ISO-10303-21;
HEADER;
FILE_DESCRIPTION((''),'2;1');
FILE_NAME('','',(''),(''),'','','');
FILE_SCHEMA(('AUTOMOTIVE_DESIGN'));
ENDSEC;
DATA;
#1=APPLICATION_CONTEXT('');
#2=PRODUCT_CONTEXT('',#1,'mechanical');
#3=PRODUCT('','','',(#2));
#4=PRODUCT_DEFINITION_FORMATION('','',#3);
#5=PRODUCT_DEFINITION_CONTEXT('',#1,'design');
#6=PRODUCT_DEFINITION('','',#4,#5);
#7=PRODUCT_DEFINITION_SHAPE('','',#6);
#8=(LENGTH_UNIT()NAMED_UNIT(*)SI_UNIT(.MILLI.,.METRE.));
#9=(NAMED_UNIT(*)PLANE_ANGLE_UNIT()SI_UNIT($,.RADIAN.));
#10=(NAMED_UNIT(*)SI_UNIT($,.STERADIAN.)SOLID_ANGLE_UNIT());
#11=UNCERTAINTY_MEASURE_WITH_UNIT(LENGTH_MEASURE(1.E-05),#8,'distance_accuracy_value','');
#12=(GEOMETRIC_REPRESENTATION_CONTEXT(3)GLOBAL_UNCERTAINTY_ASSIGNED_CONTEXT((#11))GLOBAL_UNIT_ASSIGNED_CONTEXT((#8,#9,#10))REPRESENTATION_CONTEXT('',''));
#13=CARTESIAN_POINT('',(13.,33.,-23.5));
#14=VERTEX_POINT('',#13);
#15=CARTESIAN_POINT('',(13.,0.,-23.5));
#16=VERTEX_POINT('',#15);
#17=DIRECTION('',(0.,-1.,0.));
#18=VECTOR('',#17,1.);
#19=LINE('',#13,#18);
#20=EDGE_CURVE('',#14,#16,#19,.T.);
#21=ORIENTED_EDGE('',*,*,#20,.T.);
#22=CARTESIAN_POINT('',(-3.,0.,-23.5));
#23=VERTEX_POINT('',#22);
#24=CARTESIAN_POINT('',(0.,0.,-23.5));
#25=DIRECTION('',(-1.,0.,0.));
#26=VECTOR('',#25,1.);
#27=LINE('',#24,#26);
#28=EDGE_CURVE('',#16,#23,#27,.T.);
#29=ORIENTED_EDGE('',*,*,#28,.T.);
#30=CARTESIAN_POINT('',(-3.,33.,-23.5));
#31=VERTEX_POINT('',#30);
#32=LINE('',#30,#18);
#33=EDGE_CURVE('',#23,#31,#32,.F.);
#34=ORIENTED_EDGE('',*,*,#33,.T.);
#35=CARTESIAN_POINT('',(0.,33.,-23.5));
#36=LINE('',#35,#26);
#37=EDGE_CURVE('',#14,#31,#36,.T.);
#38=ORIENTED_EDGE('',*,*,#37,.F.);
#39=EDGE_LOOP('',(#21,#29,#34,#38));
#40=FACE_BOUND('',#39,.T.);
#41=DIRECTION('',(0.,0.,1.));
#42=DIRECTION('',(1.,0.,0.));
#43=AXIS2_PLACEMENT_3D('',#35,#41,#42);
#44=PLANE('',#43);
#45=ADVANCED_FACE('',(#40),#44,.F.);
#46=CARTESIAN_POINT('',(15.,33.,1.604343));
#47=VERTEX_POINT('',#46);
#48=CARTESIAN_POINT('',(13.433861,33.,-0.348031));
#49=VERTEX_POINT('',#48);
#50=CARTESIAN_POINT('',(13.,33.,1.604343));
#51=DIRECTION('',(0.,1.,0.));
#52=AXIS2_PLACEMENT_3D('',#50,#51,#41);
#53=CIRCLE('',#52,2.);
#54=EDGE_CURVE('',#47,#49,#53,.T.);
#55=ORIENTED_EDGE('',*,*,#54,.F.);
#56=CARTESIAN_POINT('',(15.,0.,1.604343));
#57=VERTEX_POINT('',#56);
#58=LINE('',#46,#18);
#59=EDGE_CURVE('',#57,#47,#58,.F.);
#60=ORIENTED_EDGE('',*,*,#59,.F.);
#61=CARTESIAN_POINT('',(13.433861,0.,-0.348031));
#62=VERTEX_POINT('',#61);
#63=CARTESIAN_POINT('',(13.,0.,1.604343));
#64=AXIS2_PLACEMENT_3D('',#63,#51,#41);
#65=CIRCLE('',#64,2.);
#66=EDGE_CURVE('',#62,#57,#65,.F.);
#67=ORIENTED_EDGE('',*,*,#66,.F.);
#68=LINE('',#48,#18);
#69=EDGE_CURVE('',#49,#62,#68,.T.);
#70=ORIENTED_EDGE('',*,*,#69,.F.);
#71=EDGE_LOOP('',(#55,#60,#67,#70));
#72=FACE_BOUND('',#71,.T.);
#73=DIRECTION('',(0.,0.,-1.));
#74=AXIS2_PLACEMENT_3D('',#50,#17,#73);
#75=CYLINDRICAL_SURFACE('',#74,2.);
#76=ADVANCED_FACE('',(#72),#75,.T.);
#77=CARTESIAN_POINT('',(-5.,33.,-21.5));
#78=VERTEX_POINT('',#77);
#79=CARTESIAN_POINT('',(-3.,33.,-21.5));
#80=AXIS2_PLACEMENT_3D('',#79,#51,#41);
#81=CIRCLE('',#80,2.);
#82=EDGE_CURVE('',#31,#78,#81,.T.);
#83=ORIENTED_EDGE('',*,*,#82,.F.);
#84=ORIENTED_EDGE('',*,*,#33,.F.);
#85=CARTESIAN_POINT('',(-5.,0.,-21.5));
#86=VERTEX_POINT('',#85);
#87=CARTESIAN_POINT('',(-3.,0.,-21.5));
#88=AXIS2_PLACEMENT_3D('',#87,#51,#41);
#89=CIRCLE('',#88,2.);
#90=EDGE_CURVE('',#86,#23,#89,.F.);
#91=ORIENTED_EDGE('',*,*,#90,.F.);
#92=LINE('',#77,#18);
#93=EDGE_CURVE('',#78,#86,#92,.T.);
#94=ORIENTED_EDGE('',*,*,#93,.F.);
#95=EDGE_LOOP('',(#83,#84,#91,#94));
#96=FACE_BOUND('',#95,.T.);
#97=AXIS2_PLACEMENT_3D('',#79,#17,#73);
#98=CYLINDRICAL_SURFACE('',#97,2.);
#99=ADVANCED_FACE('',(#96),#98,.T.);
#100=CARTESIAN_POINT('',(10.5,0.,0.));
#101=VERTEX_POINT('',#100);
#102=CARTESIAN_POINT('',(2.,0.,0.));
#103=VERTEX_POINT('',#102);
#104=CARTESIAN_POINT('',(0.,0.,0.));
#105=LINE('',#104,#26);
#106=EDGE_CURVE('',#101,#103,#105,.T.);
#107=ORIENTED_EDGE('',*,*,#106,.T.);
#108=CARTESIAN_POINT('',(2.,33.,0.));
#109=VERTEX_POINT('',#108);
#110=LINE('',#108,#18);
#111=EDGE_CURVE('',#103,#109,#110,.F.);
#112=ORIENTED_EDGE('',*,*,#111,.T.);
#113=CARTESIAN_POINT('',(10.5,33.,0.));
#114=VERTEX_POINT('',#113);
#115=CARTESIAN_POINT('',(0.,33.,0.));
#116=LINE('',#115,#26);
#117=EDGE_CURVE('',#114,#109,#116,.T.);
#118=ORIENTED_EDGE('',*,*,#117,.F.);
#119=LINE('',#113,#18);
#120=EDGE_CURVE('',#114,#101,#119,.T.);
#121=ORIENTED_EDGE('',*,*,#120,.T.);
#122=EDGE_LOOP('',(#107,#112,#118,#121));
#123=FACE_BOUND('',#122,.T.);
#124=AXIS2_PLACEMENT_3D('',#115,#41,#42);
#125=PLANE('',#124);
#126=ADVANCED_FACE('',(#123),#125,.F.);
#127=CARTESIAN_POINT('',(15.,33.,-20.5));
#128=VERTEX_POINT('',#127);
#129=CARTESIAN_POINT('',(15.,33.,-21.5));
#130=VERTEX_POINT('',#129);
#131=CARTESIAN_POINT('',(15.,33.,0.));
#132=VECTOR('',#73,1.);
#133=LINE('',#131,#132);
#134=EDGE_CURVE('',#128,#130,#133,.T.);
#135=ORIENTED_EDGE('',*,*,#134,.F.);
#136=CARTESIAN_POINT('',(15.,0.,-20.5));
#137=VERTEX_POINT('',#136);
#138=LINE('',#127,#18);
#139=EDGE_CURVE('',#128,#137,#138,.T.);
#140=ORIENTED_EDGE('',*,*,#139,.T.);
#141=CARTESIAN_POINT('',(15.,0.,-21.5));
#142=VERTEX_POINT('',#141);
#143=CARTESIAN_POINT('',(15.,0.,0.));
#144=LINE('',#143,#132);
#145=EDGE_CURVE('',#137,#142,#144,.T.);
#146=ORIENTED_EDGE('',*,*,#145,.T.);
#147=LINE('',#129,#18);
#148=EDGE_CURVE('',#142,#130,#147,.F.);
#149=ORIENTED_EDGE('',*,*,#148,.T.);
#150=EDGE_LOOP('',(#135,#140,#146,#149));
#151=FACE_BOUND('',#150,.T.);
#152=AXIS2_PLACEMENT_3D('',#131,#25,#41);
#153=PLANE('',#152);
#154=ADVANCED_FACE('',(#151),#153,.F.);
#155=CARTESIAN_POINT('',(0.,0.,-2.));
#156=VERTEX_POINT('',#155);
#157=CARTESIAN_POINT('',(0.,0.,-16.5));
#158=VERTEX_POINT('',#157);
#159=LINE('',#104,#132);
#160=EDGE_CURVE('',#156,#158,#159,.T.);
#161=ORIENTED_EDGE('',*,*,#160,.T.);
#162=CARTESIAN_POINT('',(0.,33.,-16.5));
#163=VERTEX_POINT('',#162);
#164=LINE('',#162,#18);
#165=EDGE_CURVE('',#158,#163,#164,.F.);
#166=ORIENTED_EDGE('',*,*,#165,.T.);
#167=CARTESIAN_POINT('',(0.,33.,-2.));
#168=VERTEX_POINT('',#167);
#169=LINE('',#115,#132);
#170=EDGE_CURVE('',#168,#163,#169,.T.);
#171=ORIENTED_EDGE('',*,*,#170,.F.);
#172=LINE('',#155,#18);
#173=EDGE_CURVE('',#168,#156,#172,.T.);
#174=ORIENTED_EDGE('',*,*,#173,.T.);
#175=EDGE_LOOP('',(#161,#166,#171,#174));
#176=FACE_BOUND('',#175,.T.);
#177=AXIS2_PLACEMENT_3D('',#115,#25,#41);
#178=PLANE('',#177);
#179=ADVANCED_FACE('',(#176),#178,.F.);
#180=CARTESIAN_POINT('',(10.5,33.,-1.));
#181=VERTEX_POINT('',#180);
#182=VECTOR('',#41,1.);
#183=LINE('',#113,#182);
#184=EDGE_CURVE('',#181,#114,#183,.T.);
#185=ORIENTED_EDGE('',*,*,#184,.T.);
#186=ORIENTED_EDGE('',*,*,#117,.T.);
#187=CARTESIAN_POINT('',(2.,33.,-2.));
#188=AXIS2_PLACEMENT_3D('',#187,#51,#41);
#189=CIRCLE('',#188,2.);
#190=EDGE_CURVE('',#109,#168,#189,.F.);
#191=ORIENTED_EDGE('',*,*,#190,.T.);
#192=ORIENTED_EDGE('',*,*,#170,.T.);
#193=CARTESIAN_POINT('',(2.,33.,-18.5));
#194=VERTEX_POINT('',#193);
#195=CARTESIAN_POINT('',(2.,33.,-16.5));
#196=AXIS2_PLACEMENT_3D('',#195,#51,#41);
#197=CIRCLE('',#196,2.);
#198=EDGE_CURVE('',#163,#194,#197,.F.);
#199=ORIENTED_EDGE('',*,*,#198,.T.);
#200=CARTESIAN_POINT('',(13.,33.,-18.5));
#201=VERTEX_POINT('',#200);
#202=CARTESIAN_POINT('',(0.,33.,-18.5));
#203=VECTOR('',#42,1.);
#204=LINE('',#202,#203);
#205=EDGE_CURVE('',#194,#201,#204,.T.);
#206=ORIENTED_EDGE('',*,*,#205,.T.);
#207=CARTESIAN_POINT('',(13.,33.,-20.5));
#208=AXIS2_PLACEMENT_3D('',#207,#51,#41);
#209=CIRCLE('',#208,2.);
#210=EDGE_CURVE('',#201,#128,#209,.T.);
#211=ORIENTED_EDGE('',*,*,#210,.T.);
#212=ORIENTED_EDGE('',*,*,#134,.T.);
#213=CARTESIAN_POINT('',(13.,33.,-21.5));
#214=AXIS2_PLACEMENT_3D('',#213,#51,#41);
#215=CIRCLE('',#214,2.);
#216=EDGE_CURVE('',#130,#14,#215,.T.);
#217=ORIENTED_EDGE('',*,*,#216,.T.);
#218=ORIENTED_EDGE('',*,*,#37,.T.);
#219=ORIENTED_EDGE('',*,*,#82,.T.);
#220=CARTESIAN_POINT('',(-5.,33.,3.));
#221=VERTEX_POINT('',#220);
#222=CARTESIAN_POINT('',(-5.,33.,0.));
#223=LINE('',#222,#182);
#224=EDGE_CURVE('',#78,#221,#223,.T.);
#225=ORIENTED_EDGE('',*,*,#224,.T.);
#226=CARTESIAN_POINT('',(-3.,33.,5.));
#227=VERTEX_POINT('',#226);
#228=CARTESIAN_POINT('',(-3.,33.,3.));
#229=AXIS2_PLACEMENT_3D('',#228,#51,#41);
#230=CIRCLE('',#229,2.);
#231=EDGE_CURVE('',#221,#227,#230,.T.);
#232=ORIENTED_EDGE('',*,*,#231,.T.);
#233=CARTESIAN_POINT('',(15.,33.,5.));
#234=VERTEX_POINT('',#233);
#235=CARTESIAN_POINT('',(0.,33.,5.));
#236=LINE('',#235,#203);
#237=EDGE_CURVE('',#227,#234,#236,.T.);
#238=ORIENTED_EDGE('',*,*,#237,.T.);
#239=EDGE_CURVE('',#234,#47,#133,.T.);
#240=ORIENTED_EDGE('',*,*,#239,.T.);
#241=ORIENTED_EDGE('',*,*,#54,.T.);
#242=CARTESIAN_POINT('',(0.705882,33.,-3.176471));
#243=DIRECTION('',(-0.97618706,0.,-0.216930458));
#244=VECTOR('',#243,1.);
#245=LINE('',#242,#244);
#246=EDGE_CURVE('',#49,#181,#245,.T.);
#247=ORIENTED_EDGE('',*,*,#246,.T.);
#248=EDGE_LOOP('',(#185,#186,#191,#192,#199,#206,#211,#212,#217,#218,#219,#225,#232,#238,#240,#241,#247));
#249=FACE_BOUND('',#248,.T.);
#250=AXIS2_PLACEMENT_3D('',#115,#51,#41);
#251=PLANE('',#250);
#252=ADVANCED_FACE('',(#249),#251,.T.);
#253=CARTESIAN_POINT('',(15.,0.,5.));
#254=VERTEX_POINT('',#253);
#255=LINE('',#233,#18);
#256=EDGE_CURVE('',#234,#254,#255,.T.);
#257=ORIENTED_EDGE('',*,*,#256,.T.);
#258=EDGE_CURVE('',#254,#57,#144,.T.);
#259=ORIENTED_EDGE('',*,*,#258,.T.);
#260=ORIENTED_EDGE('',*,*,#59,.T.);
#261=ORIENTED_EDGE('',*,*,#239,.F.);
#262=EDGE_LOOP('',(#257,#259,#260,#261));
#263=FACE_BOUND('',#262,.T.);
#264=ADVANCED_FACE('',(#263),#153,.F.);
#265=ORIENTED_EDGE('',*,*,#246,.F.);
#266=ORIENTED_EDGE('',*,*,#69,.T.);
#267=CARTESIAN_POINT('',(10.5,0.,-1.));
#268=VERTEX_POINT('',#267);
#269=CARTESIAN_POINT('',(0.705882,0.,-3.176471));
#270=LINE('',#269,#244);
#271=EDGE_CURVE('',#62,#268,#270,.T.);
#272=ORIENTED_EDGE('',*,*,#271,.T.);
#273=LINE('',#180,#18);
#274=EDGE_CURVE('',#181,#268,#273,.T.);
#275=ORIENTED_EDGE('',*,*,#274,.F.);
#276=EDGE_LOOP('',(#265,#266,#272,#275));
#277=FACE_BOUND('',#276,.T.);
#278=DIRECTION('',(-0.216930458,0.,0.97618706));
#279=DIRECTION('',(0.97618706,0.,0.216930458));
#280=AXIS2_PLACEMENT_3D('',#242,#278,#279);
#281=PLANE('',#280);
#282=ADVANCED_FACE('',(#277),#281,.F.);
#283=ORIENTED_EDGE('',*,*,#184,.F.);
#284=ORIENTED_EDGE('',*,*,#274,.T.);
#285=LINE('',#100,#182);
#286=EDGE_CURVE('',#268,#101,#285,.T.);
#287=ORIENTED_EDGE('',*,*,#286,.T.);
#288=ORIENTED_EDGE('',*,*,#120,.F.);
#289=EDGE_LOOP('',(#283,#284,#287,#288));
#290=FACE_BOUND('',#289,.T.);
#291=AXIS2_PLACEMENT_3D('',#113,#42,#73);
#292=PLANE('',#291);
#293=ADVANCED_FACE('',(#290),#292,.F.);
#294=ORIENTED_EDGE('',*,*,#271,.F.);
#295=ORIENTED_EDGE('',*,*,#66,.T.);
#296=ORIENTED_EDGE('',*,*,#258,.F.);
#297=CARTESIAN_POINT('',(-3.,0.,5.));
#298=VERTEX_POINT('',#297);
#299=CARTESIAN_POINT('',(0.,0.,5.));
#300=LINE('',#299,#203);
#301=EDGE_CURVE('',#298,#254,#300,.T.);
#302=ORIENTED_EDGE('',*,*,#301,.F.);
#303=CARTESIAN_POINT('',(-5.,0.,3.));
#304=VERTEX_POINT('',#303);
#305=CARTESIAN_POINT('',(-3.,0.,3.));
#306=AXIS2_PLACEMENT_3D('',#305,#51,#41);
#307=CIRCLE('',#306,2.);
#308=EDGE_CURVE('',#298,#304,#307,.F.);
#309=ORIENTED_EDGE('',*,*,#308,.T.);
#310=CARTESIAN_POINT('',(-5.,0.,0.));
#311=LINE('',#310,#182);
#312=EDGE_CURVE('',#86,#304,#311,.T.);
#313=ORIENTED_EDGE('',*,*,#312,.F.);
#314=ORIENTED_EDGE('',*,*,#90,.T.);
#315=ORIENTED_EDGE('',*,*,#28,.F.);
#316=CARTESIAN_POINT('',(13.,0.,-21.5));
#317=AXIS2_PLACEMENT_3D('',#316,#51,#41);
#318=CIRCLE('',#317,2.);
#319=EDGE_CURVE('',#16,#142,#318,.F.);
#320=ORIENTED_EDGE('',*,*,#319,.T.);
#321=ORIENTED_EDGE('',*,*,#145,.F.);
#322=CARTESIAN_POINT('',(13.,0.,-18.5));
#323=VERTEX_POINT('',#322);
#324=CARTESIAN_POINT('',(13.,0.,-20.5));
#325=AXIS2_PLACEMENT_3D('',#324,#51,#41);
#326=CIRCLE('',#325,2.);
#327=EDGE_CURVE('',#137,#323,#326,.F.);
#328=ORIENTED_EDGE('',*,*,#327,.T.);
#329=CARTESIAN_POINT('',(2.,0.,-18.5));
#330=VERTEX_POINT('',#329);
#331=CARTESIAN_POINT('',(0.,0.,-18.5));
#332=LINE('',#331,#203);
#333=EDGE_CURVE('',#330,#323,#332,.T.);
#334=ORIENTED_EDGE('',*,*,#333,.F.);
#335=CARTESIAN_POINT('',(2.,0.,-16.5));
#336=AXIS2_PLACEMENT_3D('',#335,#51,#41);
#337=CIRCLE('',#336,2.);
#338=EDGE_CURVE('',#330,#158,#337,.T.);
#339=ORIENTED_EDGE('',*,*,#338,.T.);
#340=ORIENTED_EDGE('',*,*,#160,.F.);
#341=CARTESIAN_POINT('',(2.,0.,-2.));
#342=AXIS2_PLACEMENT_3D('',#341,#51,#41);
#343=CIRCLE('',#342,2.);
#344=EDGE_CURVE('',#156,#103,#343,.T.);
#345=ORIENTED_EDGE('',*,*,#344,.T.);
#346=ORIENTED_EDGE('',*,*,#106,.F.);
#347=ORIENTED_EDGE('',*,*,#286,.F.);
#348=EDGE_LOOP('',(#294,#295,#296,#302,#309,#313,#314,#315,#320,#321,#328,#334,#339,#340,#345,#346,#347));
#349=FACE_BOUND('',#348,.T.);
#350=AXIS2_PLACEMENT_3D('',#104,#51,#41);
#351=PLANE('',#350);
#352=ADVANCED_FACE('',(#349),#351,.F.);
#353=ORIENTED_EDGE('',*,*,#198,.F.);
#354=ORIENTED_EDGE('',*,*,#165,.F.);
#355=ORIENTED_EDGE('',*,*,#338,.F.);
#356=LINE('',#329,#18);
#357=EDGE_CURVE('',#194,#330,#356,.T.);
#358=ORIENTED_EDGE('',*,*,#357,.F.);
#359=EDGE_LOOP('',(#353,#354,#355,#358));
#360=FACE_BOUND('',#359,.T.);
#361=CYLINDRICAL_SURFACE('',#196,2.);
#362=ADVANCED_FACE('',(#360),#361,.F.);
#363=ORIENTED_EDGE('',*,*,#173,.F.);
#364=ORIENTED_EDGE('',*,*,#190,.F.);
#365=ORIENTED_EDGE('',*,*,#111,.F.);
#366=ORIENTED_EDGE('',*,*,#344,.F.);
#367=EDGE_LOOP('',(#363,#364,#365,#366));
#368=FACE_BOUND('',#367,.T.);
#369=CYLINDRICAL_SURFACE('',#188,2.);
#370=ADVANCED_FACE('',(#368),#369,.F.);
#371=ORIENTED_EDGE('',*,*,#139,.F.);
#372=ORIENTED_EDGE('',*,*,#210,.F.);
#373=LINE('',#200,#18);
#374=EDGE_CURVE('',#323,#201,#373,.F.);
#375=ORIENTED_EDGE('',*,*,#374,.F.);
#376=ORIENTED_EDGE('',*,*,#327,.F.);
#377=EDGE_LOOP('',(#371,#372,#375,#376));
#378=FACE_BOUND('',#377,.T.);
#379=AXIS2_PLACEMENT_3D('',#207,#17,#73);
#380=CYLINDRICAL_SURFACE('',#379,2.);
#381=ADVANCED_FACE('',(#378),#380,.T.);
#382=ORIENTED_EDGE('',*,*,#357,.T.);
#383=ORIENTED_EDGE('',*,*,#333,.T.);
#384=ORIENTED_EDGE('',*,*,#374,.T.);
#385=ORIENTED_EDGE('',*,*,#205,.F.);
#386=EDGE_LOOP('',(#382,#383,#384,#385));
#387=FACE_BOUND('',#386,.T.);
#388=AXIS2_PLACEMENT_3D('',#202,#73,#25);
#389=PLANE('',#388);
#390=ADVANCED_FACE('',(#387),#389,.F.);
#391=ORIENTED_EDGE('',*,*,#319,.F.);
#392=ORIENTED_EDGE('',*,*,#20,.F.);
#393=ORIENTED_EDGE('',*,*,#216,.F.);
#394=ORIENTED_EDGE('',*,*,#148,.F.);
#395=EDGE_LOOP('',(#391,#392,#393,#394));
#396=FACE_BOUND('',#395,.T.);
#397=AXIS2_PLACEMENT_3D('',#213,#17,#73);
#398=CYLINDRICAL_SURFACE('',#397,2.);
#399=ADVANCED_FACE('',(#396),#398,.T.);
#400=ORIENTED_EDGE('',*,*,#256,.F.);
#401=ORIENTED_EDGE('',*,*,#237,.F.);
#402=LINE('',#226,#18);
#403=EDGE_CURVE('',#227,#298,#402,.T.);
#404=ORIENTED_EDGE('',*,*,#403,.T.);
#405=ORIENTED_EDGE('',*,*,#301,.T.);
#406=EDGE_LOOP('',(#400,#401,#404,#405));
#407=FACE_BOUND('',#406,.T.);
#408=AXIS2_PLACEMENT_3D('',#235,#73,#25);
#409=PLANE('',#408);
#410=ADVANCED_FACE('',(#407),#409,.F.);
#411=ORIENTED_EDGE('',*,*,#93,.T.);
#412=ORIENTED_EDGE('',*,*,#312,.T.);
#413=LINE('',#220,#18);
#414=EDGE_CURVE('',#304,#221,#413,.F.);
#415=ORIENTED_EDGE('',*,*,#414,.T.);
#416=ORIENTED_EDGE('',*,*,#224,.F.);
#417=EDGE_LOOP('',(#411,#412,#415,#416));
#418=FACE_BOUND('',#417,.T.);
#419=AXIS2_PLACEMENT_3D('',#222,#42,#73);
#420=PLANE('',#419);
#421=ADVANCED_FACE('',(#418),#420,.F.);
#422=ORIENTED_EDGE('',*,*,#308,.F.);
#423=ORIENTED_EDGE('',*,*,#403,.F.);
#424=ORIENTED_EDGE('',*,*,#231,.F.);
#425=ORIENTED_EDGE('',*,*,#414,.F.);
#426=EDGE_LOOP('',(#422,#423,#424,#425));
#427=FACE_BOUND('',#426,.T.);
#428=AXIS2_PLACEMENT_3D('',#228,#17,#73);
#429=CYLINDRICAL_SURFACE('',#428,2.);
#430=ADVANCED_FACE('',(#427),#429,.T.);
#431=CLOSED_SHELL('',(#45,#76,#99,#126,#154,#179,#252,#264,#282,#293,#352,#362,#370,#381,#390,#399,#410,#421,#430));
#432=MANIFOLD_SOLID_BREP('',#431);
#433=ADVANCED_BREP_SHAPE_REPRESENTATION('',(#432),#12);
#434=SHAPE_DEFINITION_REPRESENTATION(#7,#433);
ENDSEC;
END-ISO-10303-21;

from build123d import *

# Parameters (mm, degrees)
BOSS_EXTRUDE1_DEPTH = 33
FILLET1_R           = 2


with BuildPart() as part:
    # Sketch1 → Boss-Extrude1 (new body)
    with BuildSketch(Plane(origin=(0, 0, 0), x_dir=(1, 0, 0), z_dir=(0, 1, 0))):
        Polygon((10.5, 1), (10.5, 0), (15, 0), align=None)
        Polygon((15, -5), (15, 0), (0, 0), (0, 18.5), (15, 18.5), (15, 23.5), (-5, 23.5), (-5, -5), align=None)
    extrude(amount=BOSS_EXTRUDE1_DEPTH)

    # Fillet1
    fillet1_edges = [part.edges().sort_by_distance(p)[0] for p in [
        (15, 16.5, 0),
        (-5, 16.5, 5),
        (-5, 16.5, -23.5),
        (15, 16.5, -23.5),
        (15, 16.5, -18.5),
        (0, 16.5, -18.5),
        (0, 16.5, 0),
    ]]
    fillet(fillet1_edges, radius=FILLET1_R)


solid = part.part
